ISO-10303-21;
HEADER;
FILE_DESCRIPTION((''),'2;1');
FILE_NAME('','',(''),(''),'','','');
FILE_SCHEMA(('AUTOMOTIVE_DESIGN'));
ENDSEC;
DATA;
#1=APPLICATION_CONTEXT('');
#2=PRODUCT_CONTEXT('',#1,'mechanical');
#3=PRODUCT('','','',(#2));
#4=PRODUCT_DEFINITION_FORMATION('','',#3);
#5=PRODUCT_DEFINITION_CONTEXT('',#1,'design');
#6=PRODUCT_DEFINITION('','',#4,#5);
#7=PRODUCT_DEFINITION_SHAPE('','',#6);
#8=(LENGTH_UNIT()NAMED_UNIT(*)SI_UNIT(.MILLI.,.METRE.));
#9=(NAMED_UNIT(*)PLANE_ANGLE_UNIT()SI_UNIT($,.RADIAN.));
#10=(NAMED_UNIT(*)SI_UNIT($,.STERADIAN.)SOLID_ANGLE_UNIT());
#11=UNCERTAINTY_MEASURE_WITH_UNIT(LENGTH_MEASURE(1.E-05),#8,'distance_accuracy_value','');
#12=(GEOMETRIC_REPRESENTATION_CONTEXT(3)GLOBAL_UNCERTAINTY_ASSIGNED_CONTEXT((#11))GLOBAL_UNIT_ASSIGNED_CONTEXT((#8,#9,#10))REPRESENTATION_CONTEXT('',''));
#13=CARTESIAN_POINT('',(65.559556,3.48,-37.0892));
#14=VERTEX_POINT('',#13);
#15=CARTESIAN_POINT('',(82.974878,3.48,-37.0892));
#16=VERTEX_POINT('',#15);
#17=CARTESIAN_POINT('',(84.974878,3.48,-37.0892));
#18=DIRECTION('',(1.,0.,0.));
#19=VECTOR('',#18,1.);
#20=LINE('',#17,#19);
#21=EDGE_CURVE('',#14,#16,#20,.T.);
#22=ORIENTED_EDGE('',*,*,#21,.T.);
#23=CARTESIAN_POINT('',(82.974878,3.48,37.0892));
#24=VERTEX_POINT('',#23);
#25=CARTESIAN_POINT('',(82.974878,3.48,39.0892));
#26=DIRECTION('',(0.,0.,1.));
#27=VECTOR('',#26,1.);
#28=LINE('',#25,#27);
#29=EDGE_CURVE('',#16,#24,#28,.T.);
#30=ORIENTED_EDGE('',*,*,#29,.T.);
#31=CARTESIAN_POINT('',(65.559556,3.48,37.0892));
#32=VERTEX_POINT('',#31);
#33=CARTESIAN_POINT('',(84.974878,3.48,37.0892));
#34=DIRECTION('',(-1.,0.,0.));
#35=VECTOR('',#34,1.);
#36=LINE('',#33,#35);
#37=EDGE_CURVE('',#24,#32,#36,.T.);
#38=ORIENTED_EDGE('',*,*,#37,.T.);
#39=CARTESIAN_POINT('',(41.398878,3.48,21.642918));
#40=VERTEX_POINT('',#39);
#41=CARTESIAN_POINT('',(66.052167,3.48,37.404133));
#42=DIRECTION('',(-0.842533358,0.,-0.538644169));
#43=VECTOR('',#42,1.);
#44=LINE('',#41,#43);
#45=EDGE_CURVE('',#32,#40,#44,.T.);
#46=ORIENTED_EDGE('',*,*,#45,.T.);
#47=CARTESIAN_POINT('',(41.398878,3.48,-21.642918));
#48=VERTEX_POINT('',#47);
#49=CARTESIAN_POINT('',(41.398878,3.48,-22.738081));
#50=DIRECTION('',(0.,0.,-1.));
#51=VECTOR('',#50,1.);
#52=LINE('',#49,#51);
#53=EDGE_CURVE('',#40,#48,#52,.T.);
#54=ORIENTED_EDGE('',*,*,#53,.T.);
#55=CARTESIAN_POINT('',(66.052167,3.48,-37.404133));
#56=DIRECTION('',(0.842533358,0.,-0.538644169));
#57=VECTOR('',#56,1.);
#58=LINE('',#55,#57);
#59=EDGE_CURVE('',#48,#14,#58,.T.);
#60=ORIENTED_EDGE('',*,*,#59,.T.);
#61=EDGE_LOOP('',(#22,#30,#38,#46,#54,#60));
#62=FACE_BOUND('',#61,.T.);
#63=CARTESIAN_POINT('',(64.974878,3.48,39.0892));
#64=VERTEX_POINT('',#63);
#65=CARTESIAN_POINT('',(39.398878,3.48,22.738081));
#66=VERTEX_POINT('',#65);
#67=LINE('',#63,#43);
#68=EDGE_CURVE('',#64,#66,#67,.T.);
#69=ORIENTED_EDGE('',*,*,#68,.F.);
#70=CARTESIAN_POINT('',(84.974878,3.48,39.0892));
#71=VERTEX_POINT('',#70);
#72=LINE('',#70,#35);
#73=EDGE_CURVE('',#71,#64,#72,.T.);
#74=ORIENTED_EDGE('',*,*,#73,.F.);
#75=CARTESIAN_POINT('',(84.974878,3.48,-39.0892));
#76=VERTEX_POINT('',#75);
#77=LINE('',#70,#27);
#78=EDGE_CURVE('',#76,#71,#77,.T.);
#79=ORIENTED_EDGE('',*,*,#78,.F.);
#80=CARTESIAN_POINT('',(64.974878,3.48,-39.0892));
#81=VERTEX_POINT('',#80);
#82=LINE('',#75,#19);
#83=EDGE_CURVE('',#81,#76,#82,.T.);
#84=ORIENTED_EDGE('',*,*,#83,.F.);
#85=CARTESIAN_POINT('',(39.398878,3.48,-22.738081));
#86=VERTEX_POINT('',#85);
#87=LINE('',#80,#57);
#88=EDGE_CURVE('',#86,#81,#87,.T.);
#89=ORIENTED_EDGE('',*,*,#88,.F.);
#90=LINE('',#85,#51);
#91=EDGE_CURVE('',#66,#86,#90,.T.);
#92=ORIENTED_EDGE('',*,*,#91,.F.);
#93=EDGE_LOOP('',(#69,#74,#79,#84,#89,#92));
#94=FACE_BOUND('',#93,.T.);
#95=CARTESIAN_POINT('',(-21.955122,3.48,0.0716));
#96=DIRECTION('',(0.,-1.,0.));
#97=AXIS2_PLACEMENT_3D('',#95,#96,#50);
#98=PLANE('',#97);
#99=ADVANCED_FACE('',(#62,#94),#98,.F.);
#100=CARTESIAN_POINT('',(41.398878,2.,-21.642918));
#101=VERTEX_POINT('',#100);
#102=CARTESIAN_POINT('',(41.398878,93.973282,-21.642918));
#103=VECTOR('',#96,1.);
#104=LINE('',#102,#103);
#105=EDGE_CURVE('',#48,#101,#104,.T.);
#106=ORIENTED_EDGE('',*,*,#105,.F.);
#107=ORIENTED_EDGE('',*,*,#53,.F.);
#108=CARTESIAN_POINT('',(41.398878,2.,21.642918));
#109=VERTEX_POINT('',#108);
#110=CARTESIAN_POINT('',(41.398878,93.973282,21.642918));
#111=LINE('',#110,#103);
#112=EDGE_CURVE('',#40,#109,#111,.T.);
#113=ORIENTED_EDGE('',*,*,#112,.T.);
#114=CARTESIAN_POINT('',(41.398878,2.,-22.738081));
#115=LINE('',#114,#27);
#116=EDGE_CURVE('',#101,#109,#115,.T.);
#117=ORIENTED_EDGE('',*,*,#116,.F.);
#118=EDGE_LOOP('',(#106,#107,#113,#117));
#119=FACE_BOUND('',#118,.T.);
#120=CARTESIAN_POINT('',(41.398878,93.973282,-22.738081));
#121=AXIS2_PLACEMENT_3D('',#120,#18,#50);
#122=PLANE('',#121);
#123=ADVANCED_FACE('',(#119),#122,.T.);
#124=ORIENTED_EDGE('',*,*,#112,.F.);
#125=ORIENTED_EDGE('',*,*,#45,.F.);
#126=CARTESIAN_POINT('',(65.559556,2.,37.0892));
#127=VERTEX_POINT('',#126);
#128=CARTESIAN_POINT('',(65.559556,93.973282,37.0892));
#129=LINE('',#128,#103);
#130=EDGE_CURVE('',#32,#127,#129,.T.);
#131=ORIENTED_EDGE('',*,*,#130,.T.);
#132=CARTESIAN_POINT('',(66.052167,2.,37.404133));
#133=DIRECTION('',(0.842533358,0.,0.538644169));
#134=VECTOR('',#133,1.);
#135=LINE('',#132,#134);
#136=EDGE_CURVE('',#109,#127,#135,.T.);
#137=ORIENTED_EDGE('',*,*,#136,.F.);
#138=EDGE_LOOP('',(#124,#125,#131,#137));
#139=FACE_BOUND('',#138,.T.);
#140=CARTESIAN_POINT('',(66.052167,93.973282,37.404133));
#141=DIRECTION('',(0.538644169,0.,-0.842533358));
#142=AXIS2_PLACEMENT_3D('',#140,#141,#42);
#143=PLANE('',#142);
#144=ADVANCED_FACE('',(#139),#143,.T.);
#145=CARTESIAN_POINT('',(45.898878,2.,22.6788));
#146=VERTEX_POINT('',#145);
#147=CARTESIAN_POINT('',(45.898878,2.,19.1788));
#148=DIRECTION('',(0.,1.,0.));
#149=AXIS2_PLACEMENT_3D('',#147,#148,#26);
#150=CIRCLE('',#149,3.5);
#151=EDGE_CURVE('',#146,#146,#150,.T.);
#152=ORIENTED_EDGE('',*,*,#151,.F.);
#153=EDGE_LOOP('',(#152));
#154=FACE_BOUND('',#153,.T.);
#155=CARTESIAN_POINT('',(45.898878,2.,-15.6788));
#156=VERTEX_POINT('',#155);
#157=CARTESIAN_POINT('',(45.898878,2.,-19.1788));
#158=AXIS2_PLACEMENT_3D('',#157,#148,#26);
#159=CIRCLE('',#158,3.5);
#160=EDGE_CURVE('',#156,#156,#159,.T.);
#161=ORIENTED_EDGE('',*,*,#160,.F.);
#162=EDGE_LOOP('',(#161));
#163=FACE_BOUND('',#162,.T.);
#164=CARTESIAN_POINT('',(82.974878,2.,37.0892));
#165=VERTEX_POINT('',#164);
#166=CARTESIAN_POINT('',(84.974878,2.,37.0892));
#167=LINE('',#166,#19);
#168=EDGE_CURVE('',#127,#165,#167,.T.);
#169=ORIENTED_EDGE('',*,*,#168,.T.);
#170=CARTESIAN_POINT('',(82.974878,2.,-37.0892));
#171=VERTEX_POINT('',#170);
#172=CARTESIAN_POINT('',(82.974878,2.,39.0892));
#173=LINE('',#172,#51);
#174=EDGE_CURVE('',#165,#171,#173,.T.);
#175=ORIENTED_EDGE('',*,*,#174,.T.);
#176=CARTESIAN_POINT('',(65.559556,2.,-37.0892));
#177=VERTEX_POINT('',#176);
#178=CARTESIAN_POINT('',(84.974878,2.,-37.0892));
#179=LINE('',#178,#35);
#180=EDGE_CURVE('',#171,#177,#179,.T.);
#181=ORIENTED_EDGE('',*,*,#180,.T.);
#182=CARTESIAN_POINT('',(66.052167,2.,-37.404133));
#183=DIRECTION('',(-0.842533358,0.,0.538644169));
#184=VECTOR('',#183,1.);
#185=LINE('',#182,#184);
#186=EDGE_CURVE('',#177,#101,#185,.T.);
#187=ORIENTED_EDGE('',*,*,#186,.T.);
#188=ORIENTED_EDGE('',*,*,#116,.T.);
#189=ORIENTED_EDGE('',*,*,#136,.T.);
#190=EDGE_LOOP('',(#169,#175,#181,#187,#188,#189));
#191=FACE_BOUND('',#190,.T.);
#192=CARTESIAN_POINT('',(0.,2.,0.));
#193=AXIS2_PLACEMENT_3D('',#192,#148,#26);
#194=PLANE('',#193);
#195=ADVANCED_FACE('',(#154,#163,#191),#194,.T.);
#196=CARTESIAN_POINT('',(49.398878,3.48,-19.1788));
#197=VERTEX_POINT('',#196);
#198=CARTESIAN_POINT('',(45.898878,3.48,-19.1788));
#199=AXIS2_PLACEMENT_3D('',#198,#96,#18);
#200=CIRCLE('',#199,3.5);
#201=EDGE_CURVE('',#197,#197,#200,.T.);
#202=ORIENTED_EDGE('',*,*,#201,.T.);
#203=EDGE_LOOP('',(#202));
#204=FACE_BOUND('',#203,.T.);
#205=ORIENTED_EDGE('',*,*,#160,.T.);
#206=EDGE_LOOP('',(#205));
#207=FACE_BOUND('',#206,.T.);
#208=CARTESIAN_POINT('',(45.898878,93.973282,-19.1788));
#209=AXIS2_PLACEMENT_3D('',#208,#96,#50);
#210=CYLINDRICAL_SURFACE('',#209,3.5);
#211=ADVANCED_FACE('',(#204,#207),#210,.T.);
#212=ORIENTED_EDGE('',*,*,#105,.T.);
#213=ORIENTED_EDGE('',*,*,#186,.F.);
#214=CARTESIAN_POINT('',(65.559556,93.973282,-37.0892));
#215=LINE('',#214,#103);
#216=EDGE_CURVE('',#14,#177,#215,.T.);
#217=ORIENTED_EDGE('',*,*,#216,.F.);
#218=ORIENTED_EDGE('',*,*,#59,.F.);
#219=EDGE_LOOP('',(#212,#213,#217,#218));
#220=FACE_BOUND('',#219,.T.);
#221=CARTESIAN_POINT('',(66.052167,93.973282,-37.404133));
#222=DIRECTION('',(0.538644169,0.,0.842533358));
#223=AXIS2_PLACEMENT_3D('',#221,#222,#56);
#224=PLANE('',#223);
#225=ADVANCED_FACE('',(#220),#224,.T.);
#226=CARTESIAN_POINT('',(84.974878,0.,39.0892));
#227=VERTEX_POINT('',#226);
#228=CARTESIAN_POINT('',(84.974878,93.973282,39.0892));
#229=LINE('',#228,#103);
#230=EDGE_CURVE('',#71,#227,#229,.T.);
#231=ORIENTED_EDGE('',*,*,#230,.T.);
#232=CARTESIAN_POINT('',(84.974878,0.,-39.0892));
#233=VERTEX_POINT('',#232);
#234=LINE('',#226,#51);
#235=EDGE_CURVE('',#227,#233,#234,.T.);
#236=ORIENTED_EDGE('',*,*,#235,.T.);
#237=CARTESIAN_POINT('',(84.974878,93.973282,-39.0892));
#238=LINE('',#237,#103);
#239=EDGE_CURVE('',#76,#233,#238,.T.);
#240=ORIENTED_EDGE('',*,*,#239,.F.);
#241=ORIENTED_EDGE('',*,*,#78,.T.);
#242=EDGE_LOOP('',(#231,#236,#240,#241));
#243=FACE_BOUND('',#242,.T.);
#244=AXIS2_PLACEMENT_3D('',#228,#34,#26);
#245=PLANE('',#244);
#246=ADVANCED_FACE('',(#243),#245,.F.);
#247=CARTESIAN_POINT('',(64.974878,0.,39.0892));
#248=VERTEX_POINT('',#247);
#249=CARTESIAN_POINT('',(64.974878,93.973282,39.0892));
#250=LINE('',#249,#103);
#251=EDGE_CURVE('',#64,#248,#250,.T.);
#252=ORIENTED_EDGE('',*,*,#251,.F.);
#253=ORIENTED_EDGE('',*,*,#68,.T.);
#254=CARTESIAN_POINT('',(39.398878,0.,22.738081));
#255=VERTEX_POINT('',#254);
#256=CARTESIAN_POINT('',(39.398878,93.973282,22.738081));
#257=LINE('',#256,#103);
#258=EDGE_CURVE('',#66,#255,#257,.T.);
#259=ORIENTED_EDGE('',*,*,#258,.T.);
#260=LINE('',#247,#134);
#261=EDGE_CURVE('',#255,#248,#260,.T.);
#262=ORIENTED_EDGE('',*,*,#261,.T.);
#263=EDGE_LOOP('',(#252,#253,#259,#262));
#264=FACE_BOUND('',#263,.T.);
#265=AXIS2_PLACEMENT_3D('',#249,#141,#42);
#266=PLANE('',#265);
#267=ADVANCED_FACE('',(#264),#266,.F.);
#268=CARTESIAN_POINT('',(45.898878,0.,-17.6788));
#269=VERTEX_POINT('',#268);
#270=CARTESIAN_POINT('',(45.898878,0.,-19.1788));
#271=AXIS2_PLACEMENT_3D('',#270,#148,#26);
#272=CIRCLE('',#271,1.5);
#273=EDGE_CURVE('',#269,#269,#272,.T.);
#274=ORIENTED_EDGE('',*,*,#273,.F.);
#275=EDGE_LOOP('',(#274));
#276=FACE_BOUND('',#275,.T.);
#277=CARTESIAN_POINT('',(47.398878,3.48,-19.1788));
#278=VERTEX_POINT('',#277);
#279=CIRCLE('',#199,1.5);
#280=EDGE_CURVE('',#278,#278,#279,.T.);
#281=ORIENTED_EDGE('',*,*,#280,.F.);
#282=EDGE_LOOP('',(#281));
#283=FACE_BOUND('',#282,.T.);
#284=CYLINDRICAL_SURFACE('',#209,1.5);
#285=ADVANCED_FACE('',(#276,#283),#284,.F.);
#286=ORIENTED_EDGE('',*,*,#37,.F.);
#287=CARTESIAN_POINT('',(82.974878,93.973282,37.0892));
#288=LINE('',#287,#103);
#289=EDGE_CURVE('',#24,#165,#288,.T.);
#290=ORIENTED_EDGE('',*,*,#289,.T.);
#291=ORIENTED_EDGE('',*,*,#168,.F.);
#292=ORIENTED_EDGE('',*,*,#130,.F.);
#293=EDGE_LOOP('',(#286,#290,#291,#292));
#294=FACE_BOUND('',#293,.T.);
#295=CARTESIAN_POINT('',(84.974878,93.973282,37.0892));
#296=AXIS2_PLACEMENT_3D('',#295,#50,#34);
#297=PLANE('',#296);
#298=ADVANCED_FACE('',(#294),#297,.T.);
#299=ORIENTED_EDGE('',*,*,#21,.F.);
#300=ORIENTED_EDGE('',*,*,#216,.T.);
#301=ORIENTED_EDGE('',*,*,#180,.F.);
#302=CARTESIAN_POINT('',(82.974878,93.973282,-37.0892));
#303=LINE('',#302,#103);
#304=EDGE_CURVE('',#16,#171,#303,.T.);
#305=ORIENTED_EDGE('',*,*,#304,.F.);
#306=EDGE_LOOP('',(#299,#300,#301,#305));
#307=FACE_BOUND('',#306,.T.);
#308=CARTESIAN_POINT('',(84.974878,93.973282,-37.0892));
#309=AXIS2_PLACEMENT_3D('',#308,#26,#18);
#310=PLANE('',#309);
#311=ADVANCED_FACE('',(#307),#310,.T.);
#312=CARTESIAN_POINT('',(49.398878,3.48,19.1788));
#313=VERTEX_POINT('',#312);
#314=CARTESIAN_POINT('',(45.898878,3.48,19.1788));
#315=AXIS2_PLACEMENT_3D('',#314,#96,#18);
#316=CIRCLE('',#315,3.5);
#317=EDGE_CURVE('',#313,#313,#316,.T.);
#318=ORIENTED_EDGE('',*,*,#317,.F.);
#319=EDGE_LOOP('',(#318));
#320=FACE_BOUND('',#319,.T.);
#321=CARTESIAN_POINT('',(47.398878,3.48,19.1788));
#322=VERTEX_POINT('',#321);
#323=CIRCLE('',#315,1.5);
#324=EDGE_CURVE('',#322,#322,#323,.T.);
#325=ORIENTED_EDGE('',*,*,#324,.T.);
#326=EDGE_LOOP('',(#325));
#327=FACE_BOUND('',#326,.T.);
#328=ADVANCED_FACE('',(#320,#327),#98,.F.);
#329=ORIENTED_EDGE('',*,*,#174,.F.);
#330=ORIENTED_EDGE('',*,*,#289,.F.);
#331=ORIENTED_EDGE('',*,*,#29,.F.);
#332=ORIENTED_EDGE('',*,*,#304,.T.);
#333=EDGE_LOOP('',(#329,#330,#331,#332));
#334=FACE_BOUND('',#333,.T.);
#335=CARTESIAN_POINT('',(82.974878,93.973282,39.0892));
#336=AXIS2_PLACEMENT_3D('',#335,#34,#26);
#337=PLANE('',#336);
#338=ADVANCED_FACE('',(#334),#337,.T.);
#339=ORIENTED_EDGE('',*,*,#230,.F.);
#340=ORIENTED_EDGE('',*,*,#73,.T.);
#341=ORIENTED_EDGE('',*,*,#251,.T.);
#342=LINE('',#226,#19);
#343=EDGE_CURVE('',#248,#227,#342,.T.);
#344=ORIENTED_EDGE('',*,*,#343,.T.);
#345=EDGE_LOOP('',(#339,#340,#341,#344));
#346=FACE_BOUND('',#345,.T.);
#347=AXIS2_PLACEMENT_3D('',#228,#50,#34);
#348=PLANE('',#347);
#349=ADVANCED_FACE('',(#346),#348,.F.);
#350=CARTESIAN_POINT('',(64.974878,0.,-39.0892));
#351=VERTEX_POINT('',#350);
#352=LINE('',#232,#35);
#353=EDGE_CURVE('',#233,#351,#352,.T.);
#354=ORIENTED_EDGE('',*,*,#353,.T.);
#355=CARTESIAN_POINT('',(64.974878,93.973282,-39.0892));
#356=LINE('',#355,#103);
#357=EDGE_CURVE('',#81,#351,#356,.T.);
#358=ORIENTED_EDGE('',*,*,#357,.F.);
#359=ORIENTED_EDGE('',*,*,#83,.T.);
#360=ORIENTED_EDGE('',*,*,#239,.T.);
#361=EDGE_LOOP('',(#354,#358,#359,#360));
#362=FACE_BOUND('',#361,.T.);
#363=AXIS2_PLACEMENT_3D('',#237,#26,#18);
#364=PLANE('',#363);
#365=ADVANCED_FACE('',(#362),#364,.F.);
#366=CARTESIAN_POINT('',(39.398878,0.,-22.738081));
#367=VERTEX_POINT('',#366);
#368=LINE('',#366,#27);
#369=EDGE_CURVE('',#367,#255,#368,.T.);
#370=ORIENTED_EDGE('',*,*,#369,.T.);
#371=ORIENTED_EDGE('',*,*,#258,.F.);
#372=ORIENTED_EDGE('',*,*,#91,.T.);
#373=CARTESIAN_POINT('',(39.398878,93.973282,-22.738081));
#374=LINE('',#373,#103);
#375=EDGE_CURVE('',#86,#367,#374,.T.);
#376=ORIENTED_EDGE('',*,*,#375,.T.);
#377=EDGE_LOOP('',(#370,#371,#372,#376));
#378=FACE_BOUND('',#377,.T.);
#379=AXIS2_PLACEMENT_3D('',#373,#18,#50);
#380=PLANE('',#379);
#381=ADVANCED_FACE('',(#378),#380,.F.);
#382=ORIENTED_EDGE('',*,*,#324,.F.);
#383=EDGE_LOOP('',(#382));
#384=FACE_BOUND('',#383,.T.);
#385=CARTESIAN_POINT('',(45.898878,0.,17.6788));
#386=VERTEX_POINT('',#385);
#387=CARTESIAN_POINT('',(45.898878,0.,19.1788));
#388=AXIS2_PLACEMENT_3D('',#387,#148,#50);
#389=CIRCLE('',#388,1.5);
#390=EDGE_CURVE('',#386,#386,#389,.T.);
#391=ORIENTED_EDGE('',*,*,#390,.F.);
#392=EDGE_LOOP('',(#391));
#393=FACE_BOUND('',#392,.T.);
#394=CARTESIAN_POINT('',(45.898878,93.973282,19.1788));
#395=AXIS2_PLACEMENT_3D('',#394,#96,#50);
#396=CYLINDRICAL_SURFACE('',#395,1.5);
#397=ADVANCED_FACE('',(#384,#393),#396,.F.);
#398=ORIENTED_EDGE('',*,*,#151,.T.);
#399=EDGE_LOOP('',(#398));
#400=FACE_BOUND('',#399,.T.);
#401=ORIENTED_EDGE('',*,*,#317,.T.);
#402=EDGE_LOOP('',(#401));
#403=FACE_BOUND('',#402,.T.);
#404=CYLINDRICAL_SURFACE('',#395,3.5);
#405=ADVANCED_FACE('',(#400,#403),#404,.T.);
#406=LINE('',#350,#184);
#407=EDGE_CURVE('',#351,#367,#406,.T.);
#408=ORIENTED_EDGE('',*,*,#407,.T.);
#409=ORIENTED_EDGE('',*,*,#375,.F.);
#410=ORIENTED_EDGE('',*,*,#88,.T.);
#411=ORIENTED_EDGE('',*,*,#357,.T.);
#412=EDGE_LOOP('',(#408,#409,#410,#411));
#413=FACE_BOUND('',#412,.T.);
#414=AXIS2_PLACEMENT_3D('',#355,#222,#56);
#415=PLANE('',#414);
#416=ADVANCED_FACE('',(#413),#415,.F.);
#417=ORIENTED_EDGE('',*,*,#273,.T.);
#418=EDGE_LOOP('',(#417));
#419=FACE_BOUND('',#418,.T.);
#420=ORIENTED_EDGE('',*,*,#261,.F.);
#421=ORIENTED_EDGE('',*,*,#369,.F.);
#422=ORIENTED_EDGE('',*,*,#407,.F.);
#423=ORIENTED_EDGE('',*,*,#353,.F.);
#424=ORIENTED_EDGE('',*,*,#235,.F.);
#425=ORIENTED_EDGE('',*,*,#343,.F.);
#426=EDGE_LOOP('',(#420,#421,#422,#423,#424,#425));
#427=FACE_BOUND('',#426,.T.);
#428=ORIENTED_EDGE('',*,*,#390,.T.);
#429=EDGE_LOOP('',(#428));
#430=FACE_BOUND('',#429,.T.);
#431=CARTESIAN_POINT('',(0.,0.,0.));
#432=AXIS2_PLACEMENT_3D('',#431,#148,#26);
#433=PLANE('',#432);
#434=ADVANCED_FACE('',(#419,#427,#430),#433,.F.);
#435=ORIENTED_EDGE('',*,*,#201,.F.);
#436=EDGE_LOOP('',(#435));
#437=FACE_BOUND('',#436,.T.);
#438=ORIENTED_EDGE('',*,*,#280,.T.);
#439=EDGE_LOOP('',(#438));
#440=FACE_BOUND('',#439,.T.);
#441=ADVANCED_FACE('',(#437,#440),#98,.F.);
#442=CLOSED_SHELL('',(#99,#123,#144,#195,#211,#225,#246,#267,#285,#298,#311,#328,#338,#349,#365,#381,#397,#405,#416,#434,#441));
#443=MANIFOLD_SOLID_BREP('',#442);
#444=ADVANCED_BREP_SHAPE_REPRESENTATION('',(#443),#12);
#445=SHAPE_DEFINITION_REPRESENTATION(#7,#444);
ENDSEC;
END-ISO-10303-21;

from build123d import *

# Parameters (mm, degrees)
SKETCH1_R           = 1.5
BOSS_EXTRUDE1_DEPTH = 3.48
SHELL1_T            = -2


with BuildPart() as part:
    # Sketch1 → Boss-Extrude1 (new body)
    with BuildSketch(Plane(origin=(0, 0, 0), x_dir=(1, 0, 0), z_dir=(0, 1, 0))):
        Polygon((84.974878237, 39.0892), (64.974878237, 39.0892), (39.398878237, 22.738080915), (39.398878237, -22.738080915), (64.974878237, -39.0892), (84.974878237, -39.0892), align=None)
        with Locations((45.898878237, 19.1788)):
            Circle(SKETCH1_R, mode=Mode.SUBTRACT)
        with Locations(Location((45.898878237, -19.1788, 0), (0, 0, 90))):
            Circle(SKETCH1_R, mode=Mode.SUBTRACT)
    extrude(amount=BOSS_EXTRUDE1_DEPTH)

    # Shell1
    shell1_openings = [part.faces().sort_by_distance(p)[0] for p in [
        (64.165608006, 3.48, 0),
    ]]
    offset(amount=SHELL1_T, openings=shell1_openings, kind=Kind.INTERSECTION)


solid = part.part
